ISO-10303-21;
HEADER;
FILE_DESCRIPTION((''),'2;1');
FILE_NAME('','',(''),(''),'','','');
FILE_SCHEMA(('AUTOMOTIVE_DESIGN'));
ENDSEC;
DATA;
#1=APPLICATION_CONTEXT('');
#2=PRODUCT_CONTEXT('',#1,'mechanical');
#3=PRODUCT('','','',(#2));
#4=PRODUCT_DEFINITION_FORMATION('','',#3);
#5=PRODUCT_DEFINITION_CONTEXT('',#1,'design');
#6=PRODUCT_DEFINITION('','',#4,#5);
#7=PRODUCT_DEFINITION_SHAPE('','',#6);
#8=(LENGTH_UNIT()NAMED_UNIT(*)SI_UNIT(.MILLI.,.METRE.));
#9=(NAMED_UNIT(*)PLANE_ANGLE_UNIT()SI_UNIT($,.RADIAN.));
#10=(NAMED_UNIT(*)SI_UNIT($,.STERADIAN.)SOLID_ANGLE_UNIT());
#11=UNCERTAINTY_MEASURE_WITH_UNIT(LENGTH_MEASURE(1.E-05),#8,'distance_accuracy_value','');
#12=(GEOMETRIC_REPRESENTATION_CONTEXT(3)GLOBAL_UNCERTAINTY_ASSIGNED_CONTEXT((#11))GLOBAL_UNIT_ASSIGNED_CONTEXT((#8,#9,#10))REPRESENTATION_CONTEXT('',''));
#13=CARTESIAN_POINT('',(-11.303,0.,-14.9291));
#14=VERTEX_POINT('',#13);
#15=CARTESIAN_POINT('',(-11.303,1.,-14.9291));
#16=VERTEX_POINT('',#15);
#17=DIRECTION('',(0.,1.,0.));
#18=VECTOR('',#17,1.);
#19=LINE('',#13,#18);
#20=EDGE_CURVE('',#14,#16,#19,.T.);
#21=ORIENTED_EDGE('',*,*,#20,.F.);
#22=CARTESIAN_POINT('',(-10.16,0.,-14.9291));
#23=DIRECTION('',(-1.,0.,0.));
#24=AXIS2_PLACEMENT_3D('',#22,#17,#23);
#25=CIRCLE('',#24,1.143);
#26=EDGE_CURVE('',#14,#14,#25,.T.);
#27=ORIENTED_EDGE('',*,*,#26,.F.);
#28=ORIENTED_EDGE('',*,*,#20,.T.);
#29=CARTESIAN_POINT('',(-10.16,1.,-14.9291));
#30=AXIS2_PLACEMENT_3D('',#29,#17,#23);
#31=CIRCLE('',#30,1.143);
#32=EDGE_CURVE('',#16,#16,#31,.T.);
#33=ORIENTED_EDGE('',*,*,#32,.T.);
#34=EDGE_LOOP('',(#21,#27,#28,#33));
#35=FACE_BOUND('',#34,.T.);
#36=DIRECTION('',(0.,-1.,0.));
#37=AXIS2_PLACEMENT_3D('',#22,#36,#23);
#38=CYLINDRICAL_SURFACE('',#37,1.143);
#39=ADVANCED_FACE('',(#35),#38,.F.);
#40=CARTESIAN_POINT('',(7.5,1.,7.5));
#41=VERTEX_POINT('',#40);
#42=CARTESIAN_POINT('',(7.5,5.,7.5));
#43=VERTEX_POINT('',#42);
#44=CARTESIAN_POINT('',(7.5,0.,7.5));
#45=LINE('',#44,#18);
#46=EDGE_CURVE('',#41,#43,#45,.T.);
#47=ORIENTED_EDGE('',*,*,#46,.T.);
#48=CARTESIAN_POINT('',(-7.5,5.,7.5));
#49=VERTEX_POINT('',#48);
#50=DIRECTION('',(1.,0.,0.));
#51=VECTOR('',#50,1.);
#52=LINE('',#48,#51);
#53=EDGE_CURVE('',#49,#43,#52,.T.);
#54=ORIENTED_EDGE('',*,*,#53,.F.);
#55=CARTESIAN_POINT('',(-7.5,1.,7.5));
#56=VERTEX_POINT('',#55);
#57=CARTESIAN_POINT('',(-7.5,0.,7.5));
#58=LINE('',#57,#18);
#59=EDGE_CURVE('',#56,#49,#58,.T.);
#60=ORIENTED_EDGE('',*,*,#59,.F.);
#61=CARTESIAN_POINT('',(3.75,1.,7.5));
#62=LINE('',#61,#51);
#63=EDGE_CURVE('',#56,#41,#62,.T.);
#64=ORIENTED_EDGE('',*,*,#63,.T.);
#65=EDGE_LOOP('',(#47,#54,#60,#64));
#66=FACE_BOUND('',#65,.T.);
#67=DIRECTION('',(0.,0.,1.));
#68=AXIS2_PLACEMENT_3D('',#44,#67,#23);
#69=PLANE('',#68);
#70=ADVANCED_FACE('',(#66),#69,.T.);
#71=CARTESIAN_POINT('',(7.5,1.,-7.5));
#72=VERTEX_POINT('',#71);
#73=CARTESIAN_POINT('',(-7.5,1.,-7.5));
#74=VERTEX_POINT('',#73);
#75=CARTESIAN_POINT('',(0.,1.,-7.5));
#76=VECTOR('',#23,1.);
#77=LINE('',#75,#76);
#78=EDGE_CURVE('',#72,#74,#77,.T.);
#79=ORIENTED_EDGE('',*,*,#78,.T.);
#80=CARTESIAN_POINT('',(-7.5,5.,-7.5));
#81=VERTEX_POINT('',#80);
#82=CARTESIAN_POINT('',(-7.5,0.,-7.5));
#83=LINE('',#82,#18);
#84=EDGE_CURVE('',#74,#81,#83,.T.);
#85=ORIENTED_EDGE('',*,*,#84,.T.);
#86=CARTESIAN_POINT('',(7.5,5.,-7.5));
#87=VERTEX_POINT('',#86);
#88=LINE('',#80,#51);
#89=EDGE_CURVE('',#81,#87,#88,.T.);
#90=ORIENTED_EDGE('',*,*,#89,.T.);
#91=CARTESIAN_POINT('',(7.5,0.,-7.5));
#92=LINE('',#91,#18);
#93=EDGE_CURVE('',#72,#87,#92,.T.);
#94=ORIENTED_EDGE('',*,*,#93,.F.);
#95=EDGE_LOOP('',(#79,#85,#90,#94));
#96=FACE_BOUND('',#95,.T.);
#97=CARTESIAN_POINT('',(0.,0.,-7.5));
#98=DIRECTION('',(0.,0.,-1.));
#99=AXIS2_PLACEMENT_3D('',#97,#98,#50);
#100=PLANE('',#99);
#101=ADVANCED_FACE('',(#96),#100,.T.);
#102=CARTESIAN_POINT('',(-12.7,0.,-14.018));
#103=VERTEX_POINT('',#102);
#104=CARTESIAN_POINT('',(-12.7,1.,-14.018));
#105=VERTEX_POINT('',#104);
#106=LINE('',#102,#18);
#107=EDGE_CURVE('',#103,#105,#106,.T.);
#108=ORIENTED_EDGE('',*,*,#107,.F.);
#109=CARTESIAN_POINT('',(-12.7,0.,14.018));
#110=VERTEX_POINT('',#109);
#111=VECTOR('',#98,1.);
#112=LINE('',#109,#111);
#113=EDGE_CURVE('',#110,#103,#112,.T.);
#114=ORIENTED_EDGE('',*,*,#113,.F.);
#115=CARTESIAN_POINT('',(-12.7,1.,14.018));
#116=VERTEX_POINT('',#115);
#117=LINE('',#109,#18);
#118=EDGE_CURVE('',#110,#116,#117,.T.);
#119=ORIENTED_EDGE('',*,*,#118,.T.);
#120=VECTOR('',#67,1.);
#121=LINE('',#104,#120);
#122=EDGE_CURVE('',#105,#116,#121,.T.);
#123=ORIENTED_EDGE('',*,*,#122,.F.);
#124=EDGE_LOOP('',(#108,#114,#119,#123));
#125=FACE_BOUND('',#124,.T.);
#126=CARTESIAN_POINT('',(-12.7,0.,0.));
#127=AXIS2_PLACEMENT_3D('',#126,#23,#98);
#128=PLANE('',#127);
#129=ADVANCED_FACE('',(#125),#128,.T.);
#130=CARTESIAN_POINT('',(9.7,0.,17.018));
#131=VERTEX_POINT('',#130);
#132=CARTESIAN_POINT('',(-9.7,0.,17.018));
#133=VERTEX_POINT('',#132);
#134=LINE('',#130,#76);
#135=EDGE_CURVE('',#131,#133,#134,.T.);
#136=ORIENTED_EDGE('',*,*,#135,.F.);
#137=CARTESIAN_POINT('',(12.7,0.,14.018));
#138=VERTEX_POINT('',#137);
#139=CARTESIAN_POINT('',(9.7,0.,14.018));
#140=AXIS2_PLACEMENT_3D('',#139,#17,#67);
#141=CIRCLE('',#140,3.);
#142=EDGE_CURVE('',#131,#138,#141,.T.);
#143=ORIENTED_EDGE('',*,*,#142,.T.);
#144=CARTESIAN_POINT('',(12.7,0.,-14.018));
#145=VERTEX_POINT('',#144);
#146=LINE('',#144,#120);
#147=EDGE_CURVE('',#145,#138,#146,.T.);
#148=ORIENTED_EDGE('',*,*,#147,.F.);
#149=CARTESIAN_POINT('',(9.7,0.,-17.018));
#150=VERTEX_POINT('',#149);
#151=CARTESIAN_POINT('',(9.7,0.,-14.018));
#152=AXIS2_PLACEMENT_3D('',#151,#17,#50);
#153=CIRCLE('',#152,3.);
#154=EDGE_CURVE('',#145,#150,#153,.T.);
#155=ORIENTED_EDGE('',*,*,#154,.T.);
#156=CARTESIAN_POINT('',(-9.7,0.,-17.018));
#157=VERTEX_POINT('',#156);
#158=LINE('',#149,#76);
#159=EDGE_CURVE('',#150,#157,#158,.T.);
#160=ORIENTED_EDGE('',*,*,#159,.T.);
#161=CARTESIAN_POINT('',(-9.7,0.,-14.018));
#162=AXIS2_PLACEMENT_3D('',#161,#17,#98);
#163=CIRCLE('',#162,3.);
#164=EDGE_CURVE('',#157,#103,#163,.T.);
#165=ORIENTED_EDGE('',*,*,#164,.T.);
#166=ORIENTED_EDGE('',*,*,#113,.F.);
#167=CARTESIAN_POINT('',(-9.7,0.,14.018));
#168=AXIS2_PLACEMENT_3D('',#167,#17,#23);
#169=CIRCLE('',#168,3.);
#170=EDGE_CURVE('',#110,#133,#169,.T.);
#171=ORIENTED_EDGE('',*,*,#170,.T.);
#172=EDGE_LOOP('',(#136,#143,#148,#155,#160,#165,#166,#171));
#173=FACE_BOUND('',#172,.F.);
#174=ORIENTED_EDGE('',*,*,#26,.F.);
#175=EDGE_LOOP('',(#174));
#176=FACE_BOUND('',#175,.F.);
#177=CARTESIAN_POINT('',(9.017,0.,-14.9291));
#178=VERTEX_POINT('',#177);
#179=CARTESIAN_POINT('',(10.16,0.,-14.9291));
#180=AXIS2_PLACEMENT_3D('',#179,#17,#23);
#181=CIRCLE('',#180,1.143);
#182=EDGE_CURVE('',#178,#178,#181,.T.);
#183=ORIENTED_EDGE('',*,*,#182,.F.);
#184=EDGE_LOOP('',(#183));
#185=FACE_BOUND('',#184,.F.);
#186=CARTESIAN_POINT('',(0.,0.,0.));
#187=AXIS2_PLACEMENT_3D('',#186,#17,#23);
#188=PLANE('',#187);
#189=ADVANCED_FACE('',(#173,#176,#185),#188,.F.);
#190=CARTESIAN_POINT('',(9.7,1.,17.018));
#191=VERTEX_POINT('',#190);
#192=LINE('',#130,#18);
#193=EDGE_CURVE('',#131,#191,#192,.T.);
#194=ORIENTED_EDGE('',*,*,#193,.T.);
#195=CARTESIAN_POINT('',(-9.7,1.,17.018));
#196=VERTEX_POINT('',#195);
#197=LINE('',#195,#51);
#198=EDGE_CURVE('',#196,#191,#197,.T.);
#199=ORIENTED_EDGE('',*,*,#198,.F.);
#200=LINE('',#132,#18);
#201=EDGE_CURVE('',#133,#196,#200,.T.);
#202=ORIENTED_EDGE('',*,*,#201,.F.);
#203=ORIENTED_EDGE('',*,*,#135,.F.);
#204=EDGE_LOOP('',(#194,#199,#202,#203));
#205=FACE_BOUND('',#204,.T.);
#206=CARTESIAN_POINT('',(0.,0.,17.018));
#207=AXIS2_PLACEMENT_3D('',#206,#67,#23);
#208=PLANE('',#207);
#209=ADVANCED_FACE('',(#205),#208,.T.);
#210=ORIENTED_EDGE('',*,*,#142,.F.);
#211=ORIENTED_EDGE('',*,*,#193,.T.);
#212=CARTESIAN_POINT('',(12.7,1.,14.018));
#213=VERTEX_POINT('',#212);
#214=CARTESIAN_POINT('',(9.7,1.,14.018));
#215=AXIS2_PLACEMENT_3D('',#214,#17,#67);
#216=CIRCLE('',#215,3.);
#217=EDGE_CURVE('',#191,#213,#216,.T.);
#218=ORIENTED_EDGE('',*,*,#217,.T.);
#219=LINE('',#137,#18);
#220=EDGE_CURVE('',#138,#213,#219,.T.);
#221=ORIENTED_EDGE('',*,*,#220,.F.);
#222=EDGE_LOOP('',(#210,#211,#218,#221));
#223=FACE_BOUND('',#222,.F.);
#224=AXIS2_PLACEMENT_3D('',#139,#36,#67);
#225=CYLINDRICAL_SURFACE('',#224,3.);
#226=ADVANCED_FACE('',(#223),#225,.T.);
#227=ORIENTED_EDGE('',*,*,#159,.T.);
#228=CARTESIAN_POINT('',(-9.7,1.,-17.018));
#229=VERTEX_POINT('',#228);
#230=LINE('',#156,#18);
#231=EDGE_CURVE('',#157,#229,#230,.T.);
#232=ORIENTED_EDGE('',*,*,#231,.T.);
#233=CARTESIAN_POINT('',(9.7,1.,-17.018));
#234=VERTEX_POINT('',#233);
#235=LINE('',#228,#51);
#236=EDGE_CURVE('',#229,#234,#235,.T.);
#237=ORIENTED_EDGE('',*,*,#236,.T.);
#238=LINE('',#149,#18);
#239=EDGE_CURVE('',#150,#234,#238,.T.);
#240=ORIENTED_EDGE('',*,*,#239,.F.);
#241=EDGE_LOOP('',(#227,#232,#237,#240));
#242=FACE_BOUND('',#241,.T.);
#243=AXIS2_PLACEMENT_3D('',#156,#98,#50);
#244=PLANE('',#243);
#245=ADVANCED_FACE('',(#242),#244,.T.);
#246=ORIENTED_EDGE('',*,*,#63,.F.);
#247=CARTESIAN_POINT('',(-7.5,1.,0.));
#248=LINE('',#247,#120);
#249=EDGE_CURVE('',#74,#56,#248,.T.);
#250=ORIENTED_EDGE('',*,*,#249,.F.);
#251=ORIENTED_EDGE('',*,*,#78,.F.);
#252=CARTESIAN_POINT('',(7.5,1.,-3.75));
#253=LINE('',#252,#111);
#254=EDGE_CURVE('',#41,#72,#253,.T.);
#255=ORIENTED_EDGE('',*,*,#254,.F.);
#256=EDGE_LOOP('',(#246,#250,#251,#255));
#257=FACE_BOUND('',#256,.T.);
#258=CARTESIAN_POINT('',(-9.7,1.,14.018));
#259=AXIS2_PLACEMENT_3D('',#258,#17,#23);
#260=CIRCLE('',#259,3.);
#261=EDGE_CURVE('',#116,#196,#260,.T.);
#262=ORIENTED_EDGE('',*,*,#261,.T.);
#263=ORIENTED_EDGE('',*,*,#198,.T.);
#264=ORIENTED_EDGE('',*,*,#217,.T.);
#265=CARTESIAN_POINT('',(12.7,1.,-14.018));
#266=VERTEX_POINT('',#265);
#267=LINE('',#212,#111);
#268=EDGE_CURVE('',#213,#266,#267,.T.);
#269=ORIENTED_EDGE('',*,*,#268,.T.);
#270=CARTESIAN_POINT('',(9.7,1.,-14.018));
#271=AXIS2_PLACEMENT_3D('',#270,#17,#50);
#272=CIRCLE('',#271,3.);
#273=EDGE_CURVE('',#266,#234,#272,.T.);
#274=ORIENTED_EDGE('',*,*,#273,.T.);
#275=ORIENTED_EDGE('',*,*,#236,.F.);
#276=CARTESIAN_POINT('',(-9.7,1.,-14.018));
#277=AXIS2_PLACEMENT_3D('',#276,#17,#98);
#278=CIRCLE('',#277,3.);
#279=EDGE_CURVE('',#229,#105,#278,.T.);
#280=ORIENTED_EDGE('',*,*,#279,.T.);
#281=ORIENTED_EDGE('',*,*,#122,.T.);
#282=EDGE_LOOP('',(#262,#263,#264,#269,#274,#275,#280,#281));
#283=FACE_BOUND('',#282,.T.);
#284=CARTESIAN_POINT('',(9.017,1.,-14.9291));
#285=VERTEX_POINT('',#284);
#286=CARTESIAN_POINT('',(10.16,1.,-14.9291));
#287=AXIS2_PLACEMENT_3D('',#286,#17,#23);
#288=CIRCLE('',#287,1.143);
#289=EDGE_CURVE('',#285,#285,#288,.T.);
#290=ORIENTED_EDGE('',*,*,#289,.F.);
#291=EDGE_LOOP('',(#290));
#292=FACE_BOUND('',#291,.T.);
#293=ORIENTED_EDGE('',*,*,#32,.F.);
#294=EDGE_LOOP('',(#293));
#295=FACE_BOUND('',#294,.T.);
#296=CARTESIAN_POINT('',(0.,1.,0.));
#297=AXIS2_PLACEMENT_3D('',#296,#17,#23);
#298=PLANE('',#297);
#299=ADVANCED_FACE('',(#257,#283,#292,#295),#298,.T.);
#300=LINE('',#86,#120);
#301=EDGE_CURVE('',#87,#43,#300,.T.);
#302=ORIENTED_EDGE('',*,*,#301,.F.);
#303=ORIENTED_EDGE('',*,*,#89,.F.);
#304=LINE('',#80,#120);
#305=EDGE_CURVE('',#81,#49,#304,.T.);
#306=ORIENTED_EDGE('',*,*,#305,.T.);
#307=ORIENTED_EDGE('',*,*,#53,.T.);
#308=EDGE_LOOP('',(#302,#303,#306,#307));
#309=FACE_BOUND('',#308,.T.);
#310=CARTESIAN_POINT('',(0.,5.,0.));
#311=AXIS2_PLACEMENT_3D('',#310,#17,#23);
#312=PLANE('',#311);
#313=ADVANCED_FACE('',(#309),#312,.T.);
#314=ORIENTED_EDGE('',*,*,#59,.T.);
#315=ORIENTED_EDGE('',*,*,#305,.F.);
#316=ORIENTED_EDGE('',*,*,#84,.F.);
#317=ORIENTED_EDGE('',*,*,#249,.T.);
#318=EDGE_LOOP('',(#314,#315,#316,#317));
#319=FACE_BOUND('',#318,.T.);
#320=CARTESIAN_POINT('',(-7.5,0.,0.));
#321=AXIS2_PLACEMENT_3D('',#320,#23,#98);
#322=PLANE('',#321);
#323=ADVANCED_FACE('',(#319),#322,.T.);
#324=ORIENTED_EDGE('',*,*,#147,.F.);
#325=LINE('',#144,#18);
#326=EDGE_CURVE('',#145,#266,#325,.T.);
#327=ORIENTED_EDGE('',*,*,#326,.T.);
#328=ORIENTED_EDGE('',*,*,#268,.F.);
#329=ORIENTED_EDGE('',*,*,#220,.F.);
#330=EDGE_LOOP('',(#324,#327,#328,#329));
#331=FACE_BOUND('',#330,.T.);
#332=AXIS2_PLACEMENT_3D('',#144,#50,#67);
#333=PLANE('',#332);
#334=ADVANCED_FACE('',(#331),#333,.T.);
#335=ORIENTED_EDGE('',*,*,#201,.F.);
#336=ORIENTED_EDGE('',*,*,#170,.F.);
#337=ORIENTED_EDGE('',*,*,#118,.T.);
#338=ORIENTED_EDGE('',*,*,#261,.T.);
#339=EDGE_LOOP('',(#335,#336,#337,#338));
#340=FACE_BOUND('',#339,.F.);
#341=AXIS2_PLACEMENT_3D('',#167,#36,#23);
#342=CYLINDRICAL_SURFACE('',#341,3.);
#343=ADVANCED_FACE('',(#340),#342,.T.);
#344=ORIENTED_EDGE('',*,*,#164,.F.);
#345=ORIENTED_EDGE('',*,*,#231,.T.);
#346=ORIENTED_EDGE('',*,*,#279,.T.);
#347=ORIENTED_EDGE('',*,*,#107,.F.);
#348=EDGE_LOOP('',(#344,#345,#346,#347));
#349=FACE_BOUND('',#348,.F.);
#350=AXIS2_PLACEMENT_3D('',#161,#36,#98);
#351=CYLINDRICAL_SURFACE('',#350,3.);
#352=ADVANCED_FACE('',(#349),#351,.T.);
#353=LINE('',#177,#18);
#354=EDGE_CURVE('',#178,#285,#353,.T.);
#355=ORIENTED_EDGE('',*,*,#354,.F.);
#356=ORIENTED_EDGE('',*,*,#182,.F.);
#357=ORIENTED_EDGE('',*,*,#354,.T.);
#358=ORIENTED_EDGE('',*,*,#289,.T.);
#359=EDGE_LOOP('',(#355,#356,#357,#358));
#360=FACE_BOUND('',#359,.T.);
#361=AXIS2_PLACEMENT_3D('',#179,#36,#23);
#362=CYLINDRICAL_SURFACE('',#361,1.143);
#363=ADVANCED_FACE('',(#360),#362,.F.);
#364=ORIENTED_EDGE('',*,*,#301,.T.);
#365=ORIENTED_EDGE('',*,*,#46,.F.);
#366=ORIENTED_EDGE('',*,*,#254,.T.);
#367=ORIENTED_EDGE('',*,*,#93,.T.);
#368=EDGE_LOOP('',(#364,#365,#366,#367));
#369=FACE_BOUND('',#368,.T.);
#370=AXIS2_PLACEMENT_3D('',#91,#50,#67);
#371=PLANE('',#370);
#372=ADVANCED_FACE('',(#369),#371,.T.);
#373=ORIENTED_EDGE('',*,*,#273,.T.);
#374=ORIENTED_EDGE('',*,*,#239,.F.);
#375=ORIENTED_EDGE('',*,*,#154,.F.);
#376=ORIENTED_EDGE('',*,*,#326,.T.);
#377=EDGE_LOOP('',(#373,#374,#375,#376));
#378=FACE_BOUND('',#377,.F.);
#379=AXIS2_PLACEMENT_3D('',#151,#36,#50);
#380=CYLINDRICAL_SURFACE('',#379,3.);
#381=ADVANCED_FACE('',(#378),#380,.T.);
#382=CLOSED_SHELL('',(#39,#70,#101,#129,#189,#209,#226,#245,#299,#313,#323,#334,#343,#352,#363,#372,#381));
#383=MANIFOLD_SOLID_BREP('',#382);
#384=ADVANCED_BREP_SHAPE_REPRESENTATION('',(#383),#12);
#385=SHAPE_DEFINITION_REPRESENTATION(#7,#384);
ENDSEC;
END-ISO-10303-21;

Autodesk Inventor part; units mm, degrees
ref_plane "YZ Plane" through (0, 0, 0) normal (1, 0, 0) x (0, 1, 0)
ref_plane "XZ Plane" through (0, 0, 0) normal (0, 1, 0) x (-1, 0, 0)
ref_plane "XY Plane" through (0, 0, 0) normal (0, 0, 1) x (1, 0, 0)
sketch "Skizze1" plane through (0, 0, 0) normal (0, 1, 0) x (-1, 0, 0)
  line L0 (9.7, -17.018) -> (-9.7, -17.018)
  line L1 (-12.7, -14.018) -> (-12.7, 14.018)
  line L2 (-9.7, 17.018) -> (9.7, 17.018)
  line L3 (12.7, 14.018) -> (12.7, -14.018)
  line L4 (0, -24.695) -> (0, 24.695) projected
  line L5 (18.6498, 0) -> (-18.6498, 0) projected
  circle A0 centre (10.16, -14.9291) radius 1.143
  circle A1 centre (-10.16, -14.9291) radius 1.143
  arc A2 (9.7, -17.018) -> (12.7, -14.018) centre (9.7, -14.018) ccw
  arc A3 (-12.7, -14.018) -> (-9.7, -17.018) centre (-9.7, -14.018) ccw
  arc A4 (12.7, 14.018) -> (9.7, 17.018) centre (9.7, 14.018) ccw
  arc A5 (-9.7, 17.018) -> (-12.7, 14.018) centre (-9.7, 14.018) ccw
  line L6 (7.5, -7.5) -> (-7.5, -7.5)
  line L7 (-7.5, -7.5) -> (-7.5, 7.5)
  line L8 (-7.5, 7.5) -> (7.5, 7.5)
  line L9 (7.5, 7.5) -> (7.5, -7.5)
  point P0 (0, 0)
  dimension "d0" = 25.4
  dimension "d1" = 34.036
  dimension "d2" = 2.286
  dimension "d3" = 2.286
  dimension "d4" = 20.32
  dimension "d5" = 3
  dimension "d6" = 3
  dimension "d7" = 3
  dimension "d8" = 3
  dimension "d9" = 15
  dimension "d10" = 15
extrude "Extrusion1" add sketch "Skizze1" along normal blind 1
extrude "Extrusion2" add sketch "Skizze1" along normal blind 5 contours L6 L7 L5 L4 | L4 L5 L9 L6 | L5 L7 L8 L4 | L4 L8 L9 L5
properties part number "GPSSensor"
